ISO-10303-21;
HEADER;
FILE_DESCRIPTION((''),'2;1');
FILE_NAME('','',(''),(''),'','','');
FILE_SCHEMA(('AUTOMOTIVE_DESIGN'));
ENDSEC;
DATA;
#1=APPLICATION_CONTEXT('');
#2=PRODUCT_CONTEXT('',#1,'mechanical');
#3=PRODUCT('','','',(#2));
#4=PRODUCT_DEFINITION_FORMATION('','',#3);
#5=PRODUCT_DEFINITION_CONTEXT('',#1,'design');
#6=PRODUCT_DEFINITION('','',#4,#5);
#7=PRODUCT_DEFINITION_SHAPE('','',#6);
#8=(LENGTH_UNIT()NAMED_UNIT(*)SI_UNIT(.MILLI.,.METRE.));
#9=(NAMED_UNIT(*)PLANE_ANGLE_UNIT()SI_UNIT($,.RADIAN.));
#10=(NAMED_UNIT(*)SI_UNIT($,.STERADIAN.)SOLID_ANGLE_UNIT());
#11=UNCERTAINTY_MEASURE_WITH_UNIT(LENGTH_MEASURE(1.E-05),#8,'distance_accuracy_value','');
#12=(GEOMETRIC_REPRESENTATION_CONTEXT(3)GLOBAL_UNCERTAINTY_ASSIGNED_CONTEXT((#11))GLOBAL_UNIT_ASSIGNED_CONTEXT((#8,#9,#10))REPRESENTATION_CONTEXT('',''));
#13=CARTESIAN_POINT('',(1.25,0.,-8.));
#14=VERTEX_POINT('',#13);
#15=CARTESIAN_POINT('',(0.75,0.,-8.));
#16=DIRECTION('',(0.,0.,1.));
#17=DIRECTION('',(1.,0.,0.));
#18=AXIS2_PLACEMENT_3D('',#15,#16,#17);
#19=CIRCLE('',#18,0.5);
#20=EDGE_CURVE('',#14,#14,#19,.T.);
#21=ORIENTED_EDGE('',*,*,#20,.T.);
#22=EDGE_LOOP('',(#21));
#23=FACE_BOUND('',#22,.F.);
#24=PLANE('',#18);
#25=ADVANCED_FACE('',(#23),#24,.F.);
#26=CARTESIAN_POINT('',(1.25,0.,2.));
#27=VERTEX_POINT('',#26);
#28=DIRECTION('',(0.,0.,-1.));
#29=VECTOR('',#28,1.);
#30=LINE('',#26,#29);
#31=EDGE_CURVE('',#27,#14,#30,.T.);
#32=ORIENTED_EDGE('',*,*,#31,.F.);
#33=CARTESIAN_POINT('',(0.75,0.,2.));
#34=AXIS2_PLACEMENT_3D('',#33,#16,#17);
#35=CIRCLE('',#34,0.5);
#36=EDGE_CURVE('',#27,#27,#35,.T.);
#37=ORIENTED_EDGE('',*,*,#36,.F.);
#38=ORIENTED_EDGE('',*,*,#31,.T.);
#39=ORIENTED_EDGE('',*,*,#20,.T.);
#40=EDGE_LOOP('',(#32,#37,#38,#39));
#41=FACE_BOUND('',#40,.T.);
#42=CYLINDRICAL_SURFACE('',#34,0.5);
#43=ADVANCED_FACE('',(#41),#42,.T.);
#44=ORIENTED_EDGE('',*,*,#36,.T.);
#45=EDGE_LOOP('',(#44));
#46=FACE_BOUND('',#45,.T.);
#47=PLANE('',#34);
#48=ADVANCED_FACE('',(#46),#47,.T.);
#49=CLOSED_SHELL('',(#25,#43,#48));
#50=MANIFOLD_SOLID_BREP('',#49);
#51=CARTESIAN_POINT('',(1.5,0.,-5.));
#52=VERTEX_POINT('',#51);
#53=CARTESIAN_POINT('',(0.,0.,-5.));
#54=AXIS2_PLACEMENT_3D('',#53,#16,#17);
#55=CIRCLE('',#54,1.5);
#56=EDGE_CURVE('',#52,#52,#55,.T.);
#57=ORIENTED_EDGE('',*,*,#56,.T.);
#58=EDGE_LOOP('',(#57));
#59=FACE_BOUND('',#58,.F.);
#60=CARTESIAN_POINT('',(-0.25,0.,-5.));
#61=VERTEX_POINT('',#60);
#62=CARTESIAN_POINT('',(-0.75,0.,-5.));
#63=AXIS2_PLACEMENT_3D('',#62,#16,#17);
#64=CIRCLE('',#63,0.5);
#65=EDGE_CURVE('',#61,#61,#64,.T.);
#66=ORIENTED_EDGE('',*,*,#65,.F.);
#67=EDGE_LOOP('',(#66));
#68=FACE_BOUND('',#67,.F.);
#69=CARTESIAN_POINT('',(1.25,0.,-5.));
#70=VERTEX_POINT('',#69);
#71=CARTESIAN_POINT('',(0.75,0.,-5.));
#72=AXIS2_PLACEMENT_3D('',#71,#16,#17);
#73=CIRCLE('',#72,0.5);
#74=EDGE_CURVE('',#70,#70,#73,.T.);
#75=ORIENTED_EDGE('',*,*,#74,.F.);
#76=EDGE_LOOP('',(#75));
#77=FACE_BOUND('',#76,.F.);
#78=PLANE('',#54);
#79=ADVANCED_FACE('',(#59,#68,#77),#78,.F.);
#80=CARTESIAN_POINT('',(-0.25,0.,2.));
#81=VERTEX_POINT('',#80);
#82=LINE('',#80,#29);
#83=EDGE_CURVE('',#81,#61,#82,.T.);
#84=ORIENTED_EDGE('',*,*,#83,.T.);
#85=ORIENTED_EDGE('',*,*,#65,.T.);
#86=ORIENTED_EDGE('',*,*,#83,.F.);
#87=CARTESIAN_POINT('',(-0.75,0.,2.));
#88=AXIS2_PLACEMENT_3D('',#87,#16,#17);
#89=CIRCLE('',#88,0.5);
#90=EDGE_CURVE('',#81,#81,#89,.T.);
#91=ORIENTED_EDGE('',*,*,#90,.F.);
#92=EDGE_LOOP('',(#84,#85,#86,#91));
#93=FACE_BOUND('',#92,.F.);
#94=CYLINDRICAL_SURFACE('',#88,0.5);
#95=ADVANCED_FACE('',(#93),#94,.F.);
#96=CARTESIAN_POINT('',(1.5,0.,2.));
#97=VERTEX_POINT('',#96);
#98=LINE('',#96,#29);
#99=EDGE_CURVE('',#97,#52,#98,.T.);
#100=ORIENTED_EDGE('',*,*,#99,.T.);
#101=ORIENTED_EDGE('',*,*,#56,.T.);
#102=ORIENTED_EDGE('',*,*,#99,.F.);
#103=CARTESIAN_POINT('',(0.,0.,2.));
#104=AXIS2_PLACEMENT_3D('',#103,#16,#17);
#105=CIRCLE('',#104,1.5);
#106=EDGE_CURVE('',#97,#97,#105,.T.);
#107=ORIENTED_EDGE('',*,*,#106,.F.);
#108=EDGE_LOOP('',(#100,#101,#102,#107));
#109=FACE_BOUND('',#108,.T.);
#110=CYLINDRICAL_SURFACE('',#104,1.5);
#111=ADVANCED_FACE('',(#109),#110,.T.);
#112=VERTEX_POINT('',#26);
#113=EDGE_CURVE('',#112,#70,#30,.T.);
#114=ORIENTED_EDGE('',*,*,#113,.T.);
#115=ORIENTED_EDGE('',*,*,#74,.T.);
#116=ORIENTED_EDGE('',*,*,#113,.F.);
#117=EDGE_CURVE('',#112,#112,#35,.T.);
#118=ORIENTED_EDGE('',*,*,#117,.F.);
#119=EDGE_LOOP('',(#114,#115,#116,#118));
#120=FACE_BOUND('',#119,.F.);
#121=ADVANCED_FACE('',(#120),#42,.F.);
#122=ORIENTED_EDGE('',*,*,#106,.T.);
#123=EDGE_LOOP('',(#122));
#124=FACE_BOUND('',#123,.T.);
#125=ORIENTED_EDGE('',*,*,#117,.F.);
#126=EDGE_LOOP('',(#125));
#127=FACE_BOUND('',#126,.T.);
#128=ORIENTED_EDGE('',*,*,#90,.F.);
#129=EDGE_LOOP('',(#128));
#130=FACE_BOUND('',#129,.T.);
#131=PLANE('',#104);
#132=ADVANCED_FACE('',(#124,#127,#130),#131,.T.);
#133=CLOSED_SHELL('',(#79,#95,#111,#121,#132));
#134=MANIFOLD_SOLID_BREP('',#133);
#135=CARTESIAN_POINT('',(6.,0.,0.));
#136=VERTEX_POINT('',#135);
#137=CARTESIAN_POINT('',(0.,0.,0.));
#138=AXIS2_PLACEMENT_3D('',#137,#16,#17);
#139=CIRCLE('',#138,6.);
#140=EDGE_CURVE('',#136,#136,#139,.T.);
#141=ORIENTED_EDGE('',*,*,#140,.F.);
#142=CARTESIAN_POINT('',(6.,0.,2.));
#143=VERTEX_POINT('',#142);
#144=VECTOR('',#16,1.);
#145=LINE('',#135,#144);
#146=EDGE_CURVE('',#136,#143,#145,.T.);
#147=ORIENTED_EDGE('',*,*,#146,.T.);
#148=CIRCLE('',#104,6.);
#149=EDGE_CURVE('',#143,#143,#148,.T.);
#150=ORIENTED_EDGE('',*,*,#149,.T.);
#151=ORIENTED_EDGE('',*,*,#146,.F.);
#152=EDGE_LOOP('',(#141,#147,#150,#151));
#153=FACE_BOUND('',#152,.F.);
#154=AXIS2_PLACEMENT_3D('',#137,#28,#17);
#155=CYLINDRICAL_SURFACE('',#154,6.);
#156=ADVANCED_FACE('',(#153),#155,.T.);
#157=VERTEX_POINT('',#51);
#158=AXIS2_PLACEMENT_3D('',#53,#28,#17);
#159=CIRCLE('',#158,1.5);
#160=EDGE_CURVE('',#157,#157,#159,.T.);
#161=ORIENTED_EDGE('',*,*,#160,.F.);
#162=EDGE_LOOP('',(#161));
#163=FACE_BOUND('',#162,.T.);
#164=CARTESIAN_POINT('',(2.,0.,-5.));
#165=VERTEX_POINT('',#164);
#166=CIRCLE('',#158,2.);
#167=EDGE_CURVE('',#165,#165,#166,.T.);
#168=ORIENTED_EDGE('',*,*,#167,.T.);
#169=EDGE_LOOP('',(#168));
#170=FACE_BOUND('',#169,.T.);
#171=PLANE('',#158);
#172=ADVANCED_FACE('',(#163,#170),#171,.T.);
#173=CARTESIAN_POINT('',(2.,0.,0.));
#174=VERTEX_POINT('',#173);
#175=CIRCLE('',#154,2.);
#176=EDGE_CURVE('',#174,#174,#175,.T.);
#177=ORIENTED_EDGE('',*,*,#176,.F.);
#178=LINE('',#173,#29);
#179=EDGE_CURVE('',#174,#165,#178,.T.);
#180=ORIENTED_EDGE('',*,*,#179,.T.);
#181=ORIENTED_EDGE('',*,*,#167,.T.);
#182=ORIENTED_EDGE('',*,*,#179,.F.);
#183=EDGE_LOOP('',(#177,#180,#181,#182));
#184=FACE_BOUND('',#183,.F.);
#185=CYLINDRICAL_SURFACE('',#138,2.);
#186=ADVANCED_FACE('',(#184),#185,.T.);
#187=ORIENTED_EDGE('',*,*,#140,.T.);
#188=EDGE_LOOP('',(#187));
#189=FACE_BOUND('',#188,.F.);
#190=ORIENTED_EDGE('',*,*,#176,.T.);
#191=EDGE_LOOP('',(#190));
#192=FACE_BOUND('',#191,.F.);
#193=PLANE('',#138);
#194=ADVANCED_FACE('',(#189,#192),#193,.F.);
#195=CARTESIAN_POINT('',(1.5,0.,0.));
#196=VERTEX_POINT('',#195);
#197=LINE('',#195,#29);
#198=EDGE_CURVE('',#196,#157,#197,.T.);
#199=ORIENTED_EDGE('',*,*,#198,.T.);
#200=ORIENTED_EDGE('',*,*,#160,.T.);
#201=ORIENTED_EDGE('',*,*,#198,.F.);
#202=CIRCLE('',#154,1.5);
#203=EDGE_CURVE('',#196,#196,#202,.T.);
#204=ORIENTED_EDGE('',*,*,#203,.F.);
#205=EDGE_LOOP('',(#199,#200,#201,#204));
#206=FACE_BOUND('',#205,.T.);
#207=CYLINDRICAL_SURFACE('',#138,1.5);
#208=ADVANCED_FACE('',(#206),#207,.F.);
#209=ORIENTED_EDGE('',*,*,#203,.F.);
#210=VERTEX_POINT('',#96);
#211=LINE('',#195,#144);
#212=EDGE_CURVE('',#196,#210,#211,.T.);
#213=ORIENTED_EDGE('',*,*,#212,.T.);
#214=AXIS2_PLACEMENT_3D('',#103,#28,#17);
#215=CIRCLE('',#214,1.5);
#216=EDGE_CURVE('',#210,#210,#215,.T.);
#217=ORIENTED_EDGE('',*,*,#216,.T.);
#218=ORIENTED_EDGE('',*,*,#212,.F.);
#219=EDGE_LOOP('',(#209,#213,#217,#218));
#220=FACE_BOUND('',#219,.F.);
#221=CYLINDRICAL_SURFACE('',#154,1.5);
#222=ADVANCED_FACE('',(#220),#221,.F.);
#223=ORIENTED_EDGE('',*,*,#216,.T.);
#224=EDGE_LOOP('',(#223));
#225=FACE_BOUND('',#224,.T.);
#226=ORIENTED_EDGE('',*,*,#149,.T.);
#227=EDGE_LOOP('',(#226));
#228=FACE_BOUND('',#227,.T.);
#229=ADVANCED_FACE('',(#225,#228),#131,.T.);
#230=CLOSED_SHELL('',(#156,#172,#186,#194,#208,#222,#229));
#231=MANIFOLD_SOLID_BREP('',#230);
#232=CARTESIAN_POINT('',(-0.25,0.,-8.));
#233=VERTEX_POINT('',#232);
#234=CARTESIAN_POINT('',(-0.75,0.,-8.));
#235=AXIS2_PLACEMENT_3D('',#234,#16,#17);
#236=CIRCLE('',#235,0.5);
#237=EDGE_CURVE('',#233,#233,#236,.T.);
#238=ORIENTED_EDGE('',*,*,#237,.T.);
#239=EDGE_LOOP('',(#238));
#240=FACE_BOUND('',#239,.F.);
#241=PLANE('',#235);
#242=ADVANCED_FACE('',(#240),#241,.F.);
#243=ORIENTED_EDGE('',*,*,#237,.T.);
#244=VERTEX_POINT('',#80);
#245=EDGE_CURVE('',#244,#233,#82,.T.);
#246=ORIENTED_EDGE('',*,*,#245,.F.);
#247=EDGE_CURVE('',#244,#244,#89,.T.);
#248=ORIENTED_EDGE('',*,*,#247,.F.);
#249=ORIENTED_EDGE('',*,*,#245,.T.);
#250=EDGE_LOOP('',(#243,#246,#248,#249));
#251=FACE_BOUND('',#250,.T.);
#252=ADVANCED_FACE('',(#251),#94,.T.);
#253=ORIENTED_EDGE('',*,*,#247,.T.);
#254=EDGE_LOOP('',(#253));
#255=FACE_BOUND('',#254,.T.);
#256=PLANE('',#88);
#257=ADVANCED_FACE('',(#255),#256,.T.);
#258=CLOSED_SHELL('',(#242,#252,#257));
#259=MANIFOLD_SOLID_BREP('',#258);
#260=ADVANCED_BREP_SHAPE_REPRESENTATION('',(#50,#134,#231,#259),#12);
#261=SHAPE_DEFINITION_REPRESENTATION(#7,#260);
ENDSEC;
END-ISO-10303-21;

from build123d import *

# Parameters (mm, degrees)
F0_R     = 6
F1_DEPTH = 2
F2_R     = 2
F2_R_2   = 1.5
F3_DEPTH = 5
F4_R     = 1.5
F5_DEPTH = 25
F6_R     = 1.5
F6_R_2   = 0.5
F7_DEPTH = 7
F8_R     = 0.5
F9_DEPTH = 10


with BuildPart() as f1:
    # F0 (on Top) → F1 (new body)
    with BuildSketch(Plane.XY):
        Circle(F0_R)
    extrude(amount=F1_DEPTH)

    # F2 (on face) → F3 (join)
    with BuildSketch(Plane(origin=(0, 0, 0), x_dir=(1, 0, 0), z_dir=(0, 0, -1))):
        Circle(F2_R)
        Circle(F2_R_2, mode=Mode.SUBTRACT)
    extrude(amount=F3_DEPTH)

    # F4 (on face) → F5 (cut)
    with BuildSketch(Plane(origin=(0, 0, 0), x_dir=(1, 0, 0), z_dir=(0, 0, -1))):
        Circle(F4_R)
    extrude(amount=-F5_DEPTH, mode=Mode.SUBTRACT)


with BuildPart() as f7:
    # F6 (on face) → F7 (new body)
    with BuildSketch(Plane.XY.offset(2)):
        Circle(F6_R)
        with Locations((-0.75, 0)):
            Circle(F6_R_2, mode=Mode.SUBTRACT)
        with Locations((0.75, 0)):
            Circle(F6_R_2, mode=Mode.SUBTRACT)
    extrude(amount=-F7_DEPTH)


with BuildPart() as f9:
    # F8 (on face) → F9 (new body)
    with BuildSketch(Plane.XY.offset(2)):
        with Locations((-0.75, 0)):
            Circle(F8_R)
        with Locations((0.75, 0)):
            Circle(F8_R)
    extrude(amount=-F9_DEPTH)


solid = Compound([f1.part, f7.part, f9.part])
